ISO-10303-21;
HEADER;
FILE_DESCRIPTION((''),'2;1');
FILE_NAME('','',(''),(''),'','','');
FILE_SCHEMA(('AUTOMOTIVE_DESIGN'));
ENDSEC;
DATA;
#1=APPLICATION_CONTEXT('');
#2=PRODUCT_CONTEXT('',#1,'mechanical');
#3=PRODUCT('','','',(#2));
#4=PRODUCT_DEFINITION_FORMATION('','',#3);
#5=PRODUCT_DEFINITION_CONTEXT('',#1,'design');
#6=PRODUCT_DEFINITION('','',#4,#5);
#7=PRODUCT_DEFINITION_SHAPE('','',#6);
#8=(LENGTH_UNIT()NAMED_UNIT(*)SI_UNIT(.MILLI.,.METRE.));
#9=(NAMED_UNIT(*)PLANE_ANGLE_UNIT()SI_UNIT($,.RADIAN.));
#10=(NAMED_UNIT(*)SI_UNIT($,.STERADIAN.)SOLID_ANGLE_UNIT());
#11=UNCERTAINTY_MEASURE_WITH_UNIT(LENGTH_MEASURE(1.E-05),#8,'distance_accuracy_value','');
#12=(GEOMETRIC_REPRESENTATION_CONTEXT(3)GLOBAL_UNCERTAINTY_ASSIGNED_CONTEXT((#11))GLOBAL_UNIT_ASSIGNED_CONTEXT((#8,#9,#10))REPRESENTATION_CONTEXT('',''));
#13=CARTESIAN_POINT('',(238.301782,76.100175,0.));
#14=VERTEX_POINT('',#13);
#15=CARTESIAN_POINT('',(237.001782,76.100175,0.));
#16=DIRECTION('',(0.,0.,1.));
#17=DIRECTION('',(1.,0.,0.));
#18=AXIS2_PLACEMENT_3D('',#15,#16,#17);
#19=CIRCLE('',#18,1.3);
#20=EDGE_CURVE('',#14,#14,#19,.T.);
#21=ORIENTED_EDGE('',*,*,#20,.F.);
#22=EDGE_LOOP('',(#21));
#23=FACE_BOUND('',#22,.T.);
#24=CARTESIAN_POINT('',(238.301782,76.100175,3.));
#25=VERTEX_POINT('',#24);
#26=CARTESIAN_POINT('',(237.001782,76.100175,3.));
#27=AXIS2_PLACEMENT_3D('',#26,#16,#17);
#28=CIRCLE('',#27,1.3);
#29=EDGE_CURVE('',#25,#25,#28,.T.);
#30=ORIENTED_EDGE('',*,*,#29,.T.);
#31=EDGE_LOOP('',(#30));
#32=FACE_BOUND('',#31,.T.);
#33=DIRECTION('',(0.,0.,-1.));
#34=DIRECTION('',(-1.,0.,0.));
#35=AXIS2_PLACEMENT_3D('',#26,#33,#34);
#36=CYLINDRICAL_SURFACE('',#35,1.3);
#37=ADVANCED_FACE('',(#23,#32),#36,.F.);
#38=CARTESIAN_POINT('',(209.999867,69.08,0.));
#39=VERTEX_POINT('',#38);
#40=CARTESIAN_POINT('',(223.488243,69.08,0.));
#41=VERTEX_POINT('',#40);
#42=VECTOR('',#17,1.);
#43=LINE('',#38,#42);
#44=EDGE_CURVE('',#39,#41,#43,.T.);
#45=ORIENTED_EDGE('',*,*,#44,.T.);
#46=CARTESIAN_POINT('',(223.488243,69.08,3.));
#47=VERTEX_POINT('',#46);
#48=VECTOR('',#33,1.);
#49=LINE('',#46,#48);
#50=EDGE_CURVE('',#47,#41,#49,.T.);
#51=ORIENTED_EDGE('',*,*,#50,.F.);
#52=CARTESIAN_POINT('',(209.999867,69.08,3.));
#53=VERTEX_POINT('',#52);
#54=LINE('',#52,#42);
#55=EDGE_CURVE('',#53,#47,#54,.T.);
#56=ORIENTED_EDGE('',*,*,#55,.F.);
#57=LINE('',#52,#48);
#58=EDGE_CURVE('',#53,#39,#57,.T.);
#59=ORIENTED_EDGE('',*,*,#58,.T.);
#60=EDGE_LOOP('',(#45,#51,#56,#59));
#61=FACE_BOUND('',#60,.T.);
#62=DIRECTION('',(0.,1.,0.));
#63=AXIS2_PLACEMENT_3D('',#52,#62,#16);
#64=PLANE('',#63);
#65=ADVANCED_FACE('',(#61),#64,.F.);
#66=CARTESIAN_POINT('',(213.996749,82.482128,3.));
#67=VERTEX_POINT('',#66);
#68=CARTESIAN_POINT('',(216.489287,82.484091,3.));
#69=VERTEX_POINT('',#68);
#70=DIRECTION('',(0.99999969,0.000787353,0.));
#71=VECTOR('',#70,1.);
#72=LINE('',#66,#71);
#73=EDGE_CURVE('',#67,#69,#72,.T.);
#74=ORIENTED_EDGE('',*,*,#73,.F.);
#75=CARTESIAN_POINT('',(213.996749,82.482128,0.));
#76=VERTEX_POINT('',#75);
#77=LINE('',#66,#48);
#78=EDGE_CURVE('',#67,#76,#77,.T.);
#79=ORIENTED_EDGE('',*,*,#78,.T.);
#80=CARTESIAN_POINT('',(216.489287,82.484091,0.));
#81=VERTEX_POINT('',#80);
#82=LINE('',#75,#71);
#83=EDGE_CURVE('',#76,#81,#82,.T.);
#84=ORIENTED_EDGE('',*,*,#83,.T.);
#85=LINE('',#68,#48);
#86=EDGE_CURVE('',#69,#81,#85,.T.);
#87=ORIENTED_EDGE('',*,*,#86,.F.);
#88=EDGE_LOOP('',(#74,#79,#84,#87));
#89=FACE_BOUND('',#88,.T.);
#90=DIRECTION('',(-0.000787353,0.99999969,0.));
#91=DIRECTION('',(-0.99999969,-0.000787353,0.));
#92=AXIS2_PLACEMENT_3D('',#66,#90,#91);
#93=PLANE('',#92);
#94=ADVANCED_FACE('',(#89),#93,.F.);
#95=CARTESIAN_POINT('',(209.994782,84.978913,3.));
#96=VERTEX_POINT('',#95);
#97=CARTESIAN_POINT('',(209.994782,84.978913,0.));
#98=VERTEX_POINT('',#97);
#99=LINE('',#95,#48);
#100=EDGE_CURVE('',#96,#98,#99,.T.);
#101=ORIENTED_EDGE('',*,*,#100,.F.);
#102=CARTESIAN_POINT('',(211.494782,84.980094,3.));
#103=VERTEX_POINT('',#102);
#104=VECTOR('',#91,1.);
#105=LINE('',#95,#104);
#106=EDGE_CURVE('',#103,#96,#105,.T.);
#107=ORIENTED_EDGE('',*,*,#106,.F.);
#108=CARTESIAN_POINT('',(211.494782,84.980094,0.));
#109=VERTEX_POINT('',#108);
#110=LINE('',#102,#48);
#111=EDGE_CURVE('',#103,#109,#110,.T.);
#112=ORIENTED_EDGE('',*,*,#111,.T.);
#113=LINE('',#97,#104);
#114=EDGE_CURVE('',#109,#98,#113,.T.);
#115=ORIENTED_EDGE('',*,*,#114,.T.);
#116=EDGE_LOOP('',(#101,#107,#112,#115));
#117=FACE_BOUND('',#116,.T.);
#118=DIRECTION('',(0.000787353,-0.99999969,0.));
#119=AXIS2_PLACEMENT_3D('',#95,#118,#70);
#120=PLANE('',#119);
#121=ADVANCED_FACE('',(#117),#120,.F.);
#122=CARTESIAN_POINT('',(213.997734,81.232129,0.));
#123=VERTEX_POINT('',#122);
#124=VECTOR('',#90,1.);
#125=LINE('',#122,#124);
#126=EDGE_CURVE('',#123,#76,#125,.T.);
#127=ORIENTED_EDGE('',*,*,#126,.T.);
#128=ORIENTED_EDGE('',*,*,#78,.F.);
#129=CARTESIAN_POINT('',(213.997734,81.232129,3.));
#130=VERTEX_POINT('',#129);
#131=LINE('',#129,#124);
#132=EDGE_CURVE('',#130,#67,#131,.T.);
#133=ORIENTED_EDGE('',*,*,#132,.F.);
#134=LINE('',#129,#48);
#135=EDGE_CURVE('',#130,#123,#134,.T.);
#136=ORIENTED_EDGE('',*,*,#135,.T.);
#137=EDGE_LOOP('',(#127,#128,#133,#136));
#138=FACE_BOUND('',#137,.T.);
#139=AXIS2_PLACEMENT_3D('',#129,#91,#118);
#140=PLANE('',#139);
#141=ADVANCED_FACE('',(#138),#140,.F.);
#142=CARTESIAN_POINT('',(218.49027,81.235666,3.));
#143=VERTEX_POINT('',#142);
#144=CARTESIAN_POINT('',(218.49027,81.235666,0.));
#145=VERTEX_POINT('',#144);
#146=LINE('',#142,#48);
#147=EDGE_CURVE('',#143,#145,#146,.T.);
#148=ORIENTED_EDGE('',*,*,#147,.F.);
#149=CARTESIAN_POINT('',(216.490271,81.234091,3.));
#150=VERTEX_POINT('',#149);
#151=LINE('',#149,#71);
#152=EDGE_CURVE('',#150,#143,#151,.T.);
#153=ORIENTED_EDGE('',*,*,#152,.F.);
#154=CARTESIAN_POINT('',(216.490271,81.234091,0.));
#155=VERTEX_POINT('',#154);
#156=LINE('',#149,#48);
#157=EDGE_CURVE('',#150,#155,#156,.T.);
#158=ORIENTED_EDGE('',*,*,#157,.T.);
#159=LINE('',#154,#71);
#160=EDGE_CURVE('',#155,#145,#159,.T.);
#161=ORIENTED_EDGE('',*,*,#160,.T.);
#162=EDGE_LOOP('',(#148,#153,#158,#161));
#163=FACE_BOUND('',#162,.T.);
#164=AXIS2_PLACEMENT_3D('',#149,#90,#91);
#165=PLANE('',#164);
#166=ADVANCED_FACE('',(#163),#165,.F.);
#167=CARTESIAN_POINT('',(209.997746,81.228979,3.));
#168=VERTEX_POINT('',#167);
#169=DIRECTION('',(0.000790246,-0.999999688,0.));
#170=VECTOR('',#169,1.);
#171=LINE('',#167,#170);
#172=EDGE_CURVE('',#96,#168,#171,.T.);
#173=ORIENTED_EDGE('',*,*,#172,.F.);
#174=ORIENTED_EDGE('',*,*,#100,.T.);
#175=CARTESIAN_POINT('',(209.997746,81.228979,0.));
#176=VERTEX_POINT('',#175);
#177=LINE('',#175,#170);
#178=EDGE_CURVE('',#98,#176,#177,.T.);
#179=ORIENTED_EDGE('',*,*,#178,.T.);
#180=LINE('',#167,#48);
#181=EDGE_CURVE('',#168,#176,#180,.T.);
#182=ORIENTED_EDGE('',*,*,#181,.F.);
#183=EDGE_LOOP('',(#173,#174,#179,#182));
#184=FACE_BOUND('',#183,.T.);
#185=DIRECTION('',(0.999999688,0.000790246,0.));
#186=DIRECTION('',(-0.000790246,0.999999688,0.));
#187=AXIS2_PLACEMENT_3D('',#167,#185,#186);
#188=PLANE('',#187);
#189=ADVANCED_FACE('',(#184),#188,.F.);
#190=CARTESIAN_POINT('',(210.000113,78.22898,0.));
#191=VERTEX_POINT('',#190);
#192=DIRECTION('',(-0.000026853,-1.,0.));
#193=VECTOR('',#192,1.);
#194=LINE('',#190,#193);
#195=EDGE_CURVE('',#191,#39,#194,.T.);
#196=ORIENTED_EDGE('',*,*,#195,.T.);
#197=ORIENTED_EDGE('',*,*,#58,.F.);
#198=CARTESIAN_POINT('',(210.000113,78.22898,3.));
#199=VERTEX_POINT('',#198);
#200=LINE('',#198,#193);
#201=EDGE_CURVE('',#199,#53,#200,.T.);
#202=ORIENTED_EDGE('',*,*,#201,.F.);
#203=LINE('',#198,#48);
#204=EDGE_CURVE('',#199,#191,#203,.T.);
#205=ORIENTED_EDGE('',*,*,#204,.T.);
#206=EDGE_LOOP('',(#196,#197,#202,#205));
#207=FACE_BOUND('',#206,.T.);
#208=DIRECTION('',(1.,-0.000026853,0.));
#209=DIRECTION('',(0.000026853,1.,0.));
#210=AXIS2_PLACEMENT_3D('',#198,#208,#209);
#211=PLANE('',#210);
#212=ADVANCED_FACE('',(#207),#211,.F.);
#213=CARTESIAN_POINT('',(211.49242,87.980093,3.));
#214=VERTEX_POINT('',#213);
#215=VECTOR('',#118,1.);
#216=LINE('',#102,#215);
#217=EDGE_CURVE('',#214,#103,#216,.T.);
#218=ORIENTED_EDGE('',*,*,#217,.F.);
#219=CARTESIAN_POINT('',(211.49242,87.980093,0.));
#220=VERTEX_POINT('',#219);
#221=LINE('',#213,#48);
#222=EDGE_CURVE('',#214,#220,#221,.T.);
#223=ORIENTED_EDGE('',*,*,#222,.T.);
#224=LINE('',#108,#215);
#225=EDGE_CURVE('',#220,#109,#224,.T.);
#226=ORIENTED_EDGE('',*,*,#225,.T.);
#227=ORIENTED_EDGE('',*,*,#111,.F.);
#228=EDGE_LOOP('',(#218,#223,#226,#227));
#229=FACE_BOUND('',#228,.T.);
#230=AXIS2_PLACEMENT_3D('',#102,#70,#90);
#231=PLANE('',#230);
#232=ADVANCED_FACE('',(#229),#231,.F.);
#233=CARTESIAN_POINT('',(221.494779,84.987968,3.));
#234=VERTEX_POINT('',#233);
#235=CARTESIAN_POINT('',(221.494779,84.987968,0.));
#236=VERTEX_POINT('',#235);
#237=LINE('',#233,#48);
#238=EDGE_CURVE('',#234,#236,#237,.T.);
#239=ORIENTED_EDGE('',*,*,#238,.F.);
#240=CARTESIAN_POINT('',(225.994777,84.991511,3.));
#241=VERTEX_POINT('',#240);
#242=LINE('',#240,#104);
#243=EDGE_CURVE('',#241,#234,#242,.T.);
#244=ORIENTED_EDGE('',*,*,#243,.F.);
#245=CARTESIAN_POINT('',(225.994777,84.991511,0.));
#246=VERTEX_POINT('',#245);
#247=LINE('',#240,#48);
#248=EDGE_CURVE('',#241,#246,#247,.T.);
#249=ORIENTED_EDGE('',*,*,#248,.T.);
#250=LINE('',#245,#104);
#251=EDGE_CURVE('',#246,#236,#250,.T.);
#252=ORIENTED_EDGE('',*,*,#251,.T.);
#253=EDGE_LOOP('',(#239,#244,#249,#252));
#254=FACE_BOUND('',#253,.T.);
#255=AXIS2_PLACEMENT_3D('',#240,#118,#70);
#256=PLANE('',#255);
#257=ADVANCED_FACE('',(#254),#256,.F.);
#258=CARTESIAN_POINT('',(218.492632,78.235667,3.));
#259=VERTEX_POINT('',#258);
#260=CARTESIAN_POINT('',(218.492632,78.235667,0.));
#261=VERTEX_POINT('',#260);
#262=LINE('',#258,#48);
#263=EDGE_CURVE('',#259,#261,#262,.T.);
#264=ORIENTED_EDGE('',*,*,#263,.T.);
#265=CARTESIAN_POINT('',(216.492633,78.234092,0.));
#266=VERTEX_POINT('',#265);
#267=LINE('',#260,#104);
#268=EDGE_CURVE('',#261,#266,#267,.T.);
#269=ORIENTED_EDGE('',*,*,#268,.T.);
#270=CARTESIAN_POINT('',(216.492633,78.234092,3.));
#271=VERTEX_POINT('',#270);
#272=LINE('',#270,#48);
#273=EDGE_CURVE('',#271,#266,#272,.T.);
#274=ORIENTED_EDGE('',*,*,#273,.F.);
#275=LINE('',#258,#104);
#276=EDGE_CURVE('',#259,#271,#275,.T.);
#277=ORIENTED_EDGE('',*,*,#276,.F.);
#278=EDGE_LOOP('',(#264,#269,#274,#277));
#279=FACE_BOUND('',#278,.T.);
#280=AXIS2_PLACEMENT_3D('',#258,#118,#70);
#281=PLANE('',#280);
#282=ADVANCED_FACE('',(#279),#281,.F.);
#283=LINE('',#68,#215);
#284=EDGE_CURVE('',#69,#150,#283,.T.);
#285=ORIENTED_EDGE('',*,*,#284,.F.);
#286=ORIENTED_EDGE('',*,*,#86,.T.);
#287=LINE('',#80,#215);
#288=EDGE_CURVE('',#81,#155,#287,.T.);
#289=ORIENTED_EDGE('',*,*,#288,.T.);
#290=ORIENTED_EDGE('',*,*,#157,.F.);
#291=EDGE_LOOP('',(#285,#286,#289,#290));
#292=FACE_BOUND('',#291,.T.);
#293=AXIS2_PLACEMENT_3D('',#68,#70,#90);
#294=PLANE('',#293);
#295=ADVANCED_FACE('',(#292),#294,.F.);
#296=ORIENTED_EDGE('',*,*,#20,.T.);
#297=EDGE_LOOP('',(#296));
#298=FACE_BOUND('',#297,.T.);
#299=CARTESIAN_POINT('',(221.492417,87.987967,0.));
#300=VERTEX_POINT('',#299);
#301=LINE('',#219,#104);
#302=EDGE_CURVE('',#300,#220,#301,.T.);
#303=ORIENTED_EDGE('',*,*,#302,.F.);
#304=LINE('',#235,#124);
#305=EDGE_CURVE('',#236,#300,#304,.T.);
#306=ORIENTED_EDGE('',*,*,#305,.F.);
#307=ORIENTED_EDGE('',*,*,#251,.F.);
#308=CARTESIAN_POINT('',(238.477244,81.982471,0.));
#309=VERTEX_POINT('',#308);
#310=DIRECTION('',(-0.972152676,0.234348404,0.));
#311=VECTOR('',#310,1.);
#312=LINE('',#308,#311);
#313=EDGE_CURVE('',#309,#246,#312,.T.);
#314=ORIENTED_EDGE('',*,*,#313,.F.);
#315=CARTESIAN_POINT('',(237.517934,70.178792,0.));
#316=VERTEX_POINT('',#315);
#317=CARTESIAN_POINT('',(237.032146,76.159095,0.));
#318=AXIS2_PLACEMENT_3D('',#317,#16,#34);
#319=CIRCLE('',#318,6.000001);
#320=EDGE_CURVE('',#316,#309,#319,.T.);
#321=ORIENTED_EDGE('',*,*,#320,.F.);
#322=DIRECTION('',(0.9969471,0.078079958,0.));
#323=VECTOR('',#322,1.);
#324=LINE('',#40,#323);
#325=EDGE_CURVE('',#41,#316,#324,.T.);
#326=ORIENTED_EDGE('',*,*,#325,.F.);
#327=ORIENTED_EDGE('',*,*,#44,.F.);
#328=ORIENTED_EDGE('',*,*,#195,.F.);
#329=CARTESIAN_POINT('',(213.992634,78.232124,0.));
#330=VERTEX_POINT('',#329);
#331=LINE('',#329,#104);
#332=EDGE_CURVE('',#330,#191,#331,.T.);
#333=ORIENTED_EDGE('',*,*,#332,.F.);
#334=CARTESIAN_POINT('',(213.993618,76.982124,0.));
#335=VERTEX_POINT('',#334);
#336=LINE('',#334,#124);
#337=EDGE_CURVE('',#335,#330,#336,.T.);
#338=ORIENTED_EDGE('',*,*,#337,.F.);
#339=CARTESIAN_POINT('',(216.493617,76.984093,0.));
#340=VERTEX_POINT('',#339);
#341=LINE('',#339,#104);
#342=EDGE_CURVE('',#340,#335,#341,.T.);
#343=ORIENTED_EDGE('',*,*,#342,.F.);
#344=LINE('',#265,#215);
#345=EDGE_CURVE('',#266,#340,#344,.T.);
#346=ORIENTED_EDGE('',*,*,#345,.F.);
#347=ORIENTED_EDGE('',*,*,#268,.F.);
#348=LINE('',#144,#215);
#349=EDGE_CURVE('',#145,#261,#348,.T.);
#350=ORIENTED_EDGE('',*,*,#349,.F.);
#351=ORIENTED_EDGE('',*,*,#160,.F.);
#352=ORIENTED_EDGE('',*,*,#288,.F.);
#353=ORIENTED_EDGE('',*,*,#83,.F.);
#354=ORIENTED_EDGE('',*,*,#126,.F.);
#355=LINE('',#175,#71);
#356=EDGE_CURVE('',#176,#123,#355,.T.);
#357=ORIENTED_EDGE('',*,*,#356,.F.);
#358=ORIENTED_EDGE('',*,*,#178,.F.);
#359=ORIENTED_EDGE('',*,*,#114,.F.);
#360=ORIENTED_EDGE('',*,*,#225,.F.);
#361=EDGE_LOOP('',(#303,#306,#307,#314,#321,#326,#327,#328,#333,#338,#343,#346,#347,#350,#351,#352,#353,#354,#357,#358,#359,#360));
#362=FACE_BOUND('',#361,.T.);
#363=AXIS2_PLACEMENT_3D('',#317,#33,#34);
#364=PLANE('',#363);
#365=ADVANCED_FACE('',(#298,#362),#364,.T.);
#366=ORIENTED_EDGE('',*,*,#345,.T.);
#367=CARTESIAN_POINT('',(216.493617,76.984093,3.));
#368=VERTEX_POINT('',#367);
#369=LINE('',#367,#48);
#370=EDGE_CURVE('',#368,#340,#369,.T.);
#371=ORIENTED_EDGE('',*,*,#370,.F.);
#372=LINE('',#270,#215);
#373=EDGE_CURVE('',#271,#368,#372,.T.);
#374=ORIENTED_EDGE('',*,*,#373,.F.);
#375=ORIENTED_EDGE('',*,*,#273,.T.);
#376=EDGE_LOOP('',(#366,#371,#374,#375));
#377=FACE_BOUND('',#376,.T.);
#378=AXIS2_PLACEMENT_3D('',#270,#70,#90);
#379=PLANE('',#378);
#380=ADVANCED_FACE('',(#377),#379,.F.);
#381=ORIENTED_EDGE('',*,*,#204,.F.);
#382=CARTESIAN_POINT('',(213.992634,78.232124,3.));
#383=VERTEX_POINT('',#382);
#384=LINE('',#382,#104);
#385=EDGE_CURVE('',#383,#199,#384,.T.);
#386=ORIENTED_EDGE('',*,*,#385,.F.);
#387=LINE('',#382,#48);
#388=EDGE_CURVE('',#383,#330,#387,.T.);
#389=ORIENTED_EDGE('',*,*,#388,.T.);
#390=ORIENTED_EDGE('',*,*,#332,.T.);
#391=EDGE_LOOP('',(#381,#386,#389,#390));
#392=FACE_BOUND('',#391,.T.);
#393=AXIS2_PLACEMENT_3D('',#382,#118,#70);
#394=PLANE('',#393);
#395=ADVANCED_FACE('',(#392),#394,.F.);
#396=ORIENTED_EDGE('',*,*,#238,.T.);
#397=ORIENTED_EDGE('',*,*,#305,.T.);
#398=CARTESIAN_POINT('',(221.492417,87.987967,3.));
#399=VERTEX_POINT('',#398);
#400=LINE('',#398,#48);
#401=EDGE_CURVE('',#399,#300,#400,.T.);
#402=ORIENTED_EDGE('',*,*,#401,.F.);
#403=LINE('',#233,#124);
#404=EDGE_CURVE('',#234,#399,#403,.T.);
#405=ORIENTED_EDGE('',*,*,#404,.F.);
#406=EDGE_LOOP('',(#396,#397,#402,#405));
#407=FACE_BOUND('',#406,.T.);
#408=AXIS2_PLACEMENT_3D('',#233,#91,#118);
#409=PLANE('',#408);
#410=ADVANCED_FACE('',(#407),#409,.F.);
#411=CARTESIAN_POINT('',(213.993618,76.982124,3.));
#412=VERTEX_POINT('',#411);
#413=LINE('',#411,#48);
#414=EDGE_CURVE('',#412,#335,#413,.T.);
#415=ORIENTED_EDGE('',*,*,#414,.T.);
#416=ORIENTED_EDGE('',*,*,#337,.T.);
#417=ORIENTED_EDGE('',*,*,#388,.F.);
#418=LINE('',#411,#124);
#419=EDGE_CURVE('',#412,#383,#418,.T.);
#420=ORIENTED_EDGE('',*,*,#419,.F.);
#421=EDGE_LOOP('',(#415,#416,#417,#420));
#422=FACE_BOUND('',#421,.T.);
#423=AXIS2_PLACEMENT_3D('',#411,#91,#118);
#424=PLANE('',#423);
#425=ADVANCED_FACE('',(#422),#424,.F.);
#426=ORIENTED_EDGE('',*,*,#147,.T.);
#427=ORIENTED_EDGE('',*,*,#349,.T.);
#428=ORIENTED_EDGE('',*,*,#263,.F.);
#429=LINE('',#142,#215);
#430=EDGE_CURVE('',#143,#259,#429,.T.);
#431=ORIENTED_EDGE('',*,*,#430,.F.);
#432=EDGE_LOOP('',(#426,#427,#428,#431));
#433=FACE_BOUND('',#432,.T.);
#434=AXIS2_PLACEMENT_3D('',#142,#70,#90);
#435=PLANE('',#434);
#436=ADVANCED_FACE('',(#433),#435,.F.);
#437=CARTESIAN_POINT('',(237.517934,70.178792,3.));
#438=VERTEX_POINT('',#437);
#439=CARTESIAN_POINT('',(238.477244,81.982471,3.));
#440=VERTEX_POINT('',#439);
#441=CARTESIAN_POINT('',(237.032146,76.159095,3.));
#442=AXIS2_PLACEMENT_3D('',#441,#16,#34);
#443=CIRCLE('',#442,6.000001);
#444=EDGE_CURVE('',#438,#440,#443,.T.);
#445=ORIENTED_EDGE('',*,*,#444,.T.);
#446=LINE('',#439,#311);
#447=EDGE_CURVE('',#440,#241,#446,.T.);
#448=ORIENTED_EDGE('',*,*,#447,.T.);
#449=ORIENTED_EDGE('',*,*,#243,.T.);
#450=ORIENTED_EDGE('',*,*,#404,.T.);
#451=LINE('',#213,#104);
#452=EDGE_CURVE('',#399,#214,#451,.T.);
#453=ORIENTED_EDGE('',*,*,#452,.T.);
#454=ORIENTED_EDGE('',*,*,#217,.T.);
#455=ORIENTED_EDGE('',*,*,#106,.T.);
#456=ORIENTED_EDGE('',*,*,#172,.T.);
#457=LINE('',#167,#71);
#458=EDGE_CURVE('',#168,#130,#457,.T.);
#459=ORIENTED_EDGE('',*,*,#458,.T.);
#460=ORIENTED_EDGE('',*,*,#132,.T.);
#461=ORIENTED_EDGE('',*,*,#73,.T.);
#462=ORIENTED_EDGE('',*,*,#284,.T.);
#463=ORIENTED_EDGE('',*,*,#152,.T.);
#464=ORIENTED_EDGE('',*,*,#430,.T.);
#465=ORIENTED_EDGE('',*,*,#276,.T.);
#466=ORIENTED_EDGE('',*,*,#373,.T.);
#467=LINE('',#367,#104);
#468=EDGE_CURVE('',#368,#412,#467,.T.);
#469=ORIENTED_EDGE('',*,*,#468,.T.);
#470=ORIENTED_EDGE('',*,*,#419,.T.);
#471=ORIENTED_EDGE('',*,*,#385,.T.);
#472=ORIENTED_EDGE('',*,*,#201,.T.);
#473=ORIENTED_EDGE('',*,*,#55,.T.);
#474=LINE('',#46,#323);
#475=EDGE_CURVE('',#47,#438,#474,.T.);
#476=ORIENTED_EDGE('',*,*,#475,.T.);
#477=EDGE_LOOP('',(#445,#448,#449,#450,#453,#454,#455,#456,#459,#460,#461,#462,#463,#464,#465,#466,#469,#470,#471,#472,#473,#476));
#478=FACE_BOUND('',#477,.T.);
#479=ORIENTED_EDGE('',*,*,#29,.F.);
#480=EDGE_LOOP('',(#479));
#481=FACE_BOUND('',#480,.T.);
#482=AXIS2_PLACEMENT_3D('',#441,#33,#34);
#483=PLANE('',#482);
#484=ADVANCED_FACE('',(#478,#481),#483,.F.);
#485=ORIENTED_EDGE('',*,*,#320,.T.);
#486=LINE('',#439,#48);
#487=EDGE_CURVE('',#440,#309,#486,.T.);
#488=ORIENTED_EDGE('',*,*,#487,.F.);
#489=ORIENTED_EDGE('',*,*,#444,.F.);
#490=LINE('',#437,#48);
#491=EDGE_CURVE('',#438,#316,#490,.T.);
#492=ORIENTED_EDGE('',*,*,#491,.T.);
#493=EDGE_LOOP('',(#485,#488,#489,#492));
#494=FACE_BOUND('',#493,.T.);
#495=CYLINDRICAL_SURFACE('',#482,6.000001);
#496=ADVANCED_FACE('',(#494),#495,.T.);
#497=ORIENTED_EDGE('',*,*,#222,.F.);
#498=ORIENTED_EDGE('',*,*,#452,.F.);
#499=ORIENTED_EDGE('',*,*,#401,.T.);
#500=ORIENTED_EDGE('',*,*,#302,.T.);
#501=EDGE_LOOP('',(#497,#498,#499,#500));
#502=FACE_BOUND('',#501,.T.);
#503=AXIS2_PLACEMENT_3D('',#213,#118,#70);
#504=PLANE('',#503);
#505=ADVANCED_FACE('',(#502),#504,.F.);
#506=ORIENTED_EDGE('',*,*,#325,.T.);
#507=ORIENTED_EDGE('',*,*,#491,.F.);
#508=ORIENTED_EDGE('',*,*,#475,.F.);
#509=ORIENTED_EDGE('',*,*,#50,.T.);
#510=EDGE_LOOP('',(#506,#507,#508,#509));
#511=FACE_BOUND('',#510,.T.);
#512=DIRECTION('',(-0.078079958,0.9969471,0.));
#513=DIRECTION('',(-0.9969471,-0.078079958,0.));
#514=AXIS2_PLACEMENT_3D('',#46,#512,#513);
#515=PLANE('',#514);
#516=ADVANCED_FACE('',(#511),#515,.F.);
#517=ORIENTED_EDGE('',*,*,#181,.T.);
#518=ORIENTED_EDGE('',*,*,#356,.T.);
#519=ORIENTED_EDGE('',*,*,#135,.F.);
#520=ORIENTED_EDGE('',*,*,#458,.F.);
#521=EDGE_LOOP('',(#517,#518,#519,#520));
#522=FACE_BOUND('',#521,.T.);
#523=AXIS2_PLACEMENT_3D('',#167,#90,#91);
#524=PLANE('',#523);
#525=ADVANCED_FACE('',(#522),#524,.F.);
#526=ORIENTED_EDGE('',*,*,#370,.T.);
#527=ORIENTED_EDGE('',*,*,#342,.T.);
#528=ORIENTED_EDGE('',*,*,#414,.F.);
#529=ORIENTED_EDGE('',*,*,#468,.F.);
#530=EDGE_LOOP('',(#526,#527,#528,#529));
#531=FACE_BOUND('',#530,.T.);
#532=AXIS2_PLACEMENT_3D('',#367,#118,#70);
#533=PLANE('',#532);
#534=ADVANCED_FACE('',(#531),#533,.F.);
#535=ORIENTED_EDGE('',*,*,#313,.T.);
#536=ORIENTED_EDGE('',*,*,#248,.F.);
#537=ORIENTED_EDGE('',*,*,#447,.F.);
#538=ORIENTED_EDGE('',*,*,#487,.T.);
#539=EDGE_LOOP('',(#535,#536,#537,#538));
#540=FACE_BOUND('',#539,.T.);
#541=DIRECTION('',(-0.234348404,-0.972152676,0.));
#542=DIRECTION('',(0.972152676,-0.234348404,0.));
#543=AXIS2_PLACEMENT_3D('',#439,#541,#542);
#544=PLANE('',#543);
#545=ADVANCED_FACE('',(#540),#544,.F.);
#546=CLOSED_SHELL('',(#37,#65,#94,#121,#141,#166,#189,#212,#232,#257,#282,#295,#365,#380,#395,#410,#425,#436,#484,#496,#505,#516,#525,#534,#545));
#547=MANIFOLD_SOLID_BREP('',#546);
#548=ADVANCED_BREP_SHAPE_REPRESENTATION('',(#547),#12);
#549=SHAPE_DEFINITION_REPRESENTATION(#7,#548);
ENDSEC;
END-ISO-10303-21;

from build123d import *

# Parameters (mm, degrees)
SKETCH_1_R      = 1.3
EXTRUDE_1_DEPTH = 3


with BuildPart() as part:
    # 草圖1 → 填料-伸長1 (new body)
    with BuildSketch(Plane.XY):
        with BuildLine():
            Line((216.492632944, 78.234092132), (216.493617135, 76.984092519))
            Line((216.493617135, 76.984092519), (213.99361791, 76.982124137))
            Line((213.99361791, 76.982124137), (213.992633719, 78.23212375))
            Line((213.992633719, 78.23212375), (210.000112684, 78.228980226))
            Line((210.000112684, 78.228980226), (209.999867004, 69.08))
            Line((209.999867004, 69.08), (223.48824264, 69.08))
            Line((223.48824264, 69.08), (237.517934203, 70.178792238))
            ThreePointArc((237.517934203, 70.178792238), (243.012429177, 75.673064936), (238.477244304, 81.982471062))
            Line((238.477244304, 81.982471062), (225.994777469, 84.991510945))
            Line((225.994777469, 84.991510945), (221.494778864, 84.987967857))
            Line((221.494778864, 84.987967857), (221.492416806, 87.987966928))
            Line((221.492416806, 87.987966928), (211.492419905, 87.980093399))
            Line((211.492419905, 87.980093399), (211.494781964, 84.980094329))
            Line((211.494781964, 84.980094329), (209.994782429, 84.9789133))
            Line((209.994782429, 84.9789133), (209.997745798, 81.228979292))
            Line((209.997745798, 81.228979292), (213.997733688, 81.232128695))
            Line((213.997733688, 81.232128695), (213.996749497, 82.482128308))
            Line((213.996749497, 82.482128308), (216.489286694, 82.484090815))
            Line((216.489286694, 82.484090815), (216.490270885, 81.234091202))
            Line((216.490270885, 81.234091202), (218.490270265, 81.235665908))
            Line((218.490270265, 81.235665908), (218.492632324, 78.235666838))
            Line((218.492632324, 78.235666838), (216.492632944, 78.234092132))
        make_face()
        with Locations((237.0017815, 76.100174585)):
            Circle(SKETCH_1_R, mode=Mode.SUBTRACT)
    extrude(amount=EXTRUDE_1_DEPTH)


solid = part.part
